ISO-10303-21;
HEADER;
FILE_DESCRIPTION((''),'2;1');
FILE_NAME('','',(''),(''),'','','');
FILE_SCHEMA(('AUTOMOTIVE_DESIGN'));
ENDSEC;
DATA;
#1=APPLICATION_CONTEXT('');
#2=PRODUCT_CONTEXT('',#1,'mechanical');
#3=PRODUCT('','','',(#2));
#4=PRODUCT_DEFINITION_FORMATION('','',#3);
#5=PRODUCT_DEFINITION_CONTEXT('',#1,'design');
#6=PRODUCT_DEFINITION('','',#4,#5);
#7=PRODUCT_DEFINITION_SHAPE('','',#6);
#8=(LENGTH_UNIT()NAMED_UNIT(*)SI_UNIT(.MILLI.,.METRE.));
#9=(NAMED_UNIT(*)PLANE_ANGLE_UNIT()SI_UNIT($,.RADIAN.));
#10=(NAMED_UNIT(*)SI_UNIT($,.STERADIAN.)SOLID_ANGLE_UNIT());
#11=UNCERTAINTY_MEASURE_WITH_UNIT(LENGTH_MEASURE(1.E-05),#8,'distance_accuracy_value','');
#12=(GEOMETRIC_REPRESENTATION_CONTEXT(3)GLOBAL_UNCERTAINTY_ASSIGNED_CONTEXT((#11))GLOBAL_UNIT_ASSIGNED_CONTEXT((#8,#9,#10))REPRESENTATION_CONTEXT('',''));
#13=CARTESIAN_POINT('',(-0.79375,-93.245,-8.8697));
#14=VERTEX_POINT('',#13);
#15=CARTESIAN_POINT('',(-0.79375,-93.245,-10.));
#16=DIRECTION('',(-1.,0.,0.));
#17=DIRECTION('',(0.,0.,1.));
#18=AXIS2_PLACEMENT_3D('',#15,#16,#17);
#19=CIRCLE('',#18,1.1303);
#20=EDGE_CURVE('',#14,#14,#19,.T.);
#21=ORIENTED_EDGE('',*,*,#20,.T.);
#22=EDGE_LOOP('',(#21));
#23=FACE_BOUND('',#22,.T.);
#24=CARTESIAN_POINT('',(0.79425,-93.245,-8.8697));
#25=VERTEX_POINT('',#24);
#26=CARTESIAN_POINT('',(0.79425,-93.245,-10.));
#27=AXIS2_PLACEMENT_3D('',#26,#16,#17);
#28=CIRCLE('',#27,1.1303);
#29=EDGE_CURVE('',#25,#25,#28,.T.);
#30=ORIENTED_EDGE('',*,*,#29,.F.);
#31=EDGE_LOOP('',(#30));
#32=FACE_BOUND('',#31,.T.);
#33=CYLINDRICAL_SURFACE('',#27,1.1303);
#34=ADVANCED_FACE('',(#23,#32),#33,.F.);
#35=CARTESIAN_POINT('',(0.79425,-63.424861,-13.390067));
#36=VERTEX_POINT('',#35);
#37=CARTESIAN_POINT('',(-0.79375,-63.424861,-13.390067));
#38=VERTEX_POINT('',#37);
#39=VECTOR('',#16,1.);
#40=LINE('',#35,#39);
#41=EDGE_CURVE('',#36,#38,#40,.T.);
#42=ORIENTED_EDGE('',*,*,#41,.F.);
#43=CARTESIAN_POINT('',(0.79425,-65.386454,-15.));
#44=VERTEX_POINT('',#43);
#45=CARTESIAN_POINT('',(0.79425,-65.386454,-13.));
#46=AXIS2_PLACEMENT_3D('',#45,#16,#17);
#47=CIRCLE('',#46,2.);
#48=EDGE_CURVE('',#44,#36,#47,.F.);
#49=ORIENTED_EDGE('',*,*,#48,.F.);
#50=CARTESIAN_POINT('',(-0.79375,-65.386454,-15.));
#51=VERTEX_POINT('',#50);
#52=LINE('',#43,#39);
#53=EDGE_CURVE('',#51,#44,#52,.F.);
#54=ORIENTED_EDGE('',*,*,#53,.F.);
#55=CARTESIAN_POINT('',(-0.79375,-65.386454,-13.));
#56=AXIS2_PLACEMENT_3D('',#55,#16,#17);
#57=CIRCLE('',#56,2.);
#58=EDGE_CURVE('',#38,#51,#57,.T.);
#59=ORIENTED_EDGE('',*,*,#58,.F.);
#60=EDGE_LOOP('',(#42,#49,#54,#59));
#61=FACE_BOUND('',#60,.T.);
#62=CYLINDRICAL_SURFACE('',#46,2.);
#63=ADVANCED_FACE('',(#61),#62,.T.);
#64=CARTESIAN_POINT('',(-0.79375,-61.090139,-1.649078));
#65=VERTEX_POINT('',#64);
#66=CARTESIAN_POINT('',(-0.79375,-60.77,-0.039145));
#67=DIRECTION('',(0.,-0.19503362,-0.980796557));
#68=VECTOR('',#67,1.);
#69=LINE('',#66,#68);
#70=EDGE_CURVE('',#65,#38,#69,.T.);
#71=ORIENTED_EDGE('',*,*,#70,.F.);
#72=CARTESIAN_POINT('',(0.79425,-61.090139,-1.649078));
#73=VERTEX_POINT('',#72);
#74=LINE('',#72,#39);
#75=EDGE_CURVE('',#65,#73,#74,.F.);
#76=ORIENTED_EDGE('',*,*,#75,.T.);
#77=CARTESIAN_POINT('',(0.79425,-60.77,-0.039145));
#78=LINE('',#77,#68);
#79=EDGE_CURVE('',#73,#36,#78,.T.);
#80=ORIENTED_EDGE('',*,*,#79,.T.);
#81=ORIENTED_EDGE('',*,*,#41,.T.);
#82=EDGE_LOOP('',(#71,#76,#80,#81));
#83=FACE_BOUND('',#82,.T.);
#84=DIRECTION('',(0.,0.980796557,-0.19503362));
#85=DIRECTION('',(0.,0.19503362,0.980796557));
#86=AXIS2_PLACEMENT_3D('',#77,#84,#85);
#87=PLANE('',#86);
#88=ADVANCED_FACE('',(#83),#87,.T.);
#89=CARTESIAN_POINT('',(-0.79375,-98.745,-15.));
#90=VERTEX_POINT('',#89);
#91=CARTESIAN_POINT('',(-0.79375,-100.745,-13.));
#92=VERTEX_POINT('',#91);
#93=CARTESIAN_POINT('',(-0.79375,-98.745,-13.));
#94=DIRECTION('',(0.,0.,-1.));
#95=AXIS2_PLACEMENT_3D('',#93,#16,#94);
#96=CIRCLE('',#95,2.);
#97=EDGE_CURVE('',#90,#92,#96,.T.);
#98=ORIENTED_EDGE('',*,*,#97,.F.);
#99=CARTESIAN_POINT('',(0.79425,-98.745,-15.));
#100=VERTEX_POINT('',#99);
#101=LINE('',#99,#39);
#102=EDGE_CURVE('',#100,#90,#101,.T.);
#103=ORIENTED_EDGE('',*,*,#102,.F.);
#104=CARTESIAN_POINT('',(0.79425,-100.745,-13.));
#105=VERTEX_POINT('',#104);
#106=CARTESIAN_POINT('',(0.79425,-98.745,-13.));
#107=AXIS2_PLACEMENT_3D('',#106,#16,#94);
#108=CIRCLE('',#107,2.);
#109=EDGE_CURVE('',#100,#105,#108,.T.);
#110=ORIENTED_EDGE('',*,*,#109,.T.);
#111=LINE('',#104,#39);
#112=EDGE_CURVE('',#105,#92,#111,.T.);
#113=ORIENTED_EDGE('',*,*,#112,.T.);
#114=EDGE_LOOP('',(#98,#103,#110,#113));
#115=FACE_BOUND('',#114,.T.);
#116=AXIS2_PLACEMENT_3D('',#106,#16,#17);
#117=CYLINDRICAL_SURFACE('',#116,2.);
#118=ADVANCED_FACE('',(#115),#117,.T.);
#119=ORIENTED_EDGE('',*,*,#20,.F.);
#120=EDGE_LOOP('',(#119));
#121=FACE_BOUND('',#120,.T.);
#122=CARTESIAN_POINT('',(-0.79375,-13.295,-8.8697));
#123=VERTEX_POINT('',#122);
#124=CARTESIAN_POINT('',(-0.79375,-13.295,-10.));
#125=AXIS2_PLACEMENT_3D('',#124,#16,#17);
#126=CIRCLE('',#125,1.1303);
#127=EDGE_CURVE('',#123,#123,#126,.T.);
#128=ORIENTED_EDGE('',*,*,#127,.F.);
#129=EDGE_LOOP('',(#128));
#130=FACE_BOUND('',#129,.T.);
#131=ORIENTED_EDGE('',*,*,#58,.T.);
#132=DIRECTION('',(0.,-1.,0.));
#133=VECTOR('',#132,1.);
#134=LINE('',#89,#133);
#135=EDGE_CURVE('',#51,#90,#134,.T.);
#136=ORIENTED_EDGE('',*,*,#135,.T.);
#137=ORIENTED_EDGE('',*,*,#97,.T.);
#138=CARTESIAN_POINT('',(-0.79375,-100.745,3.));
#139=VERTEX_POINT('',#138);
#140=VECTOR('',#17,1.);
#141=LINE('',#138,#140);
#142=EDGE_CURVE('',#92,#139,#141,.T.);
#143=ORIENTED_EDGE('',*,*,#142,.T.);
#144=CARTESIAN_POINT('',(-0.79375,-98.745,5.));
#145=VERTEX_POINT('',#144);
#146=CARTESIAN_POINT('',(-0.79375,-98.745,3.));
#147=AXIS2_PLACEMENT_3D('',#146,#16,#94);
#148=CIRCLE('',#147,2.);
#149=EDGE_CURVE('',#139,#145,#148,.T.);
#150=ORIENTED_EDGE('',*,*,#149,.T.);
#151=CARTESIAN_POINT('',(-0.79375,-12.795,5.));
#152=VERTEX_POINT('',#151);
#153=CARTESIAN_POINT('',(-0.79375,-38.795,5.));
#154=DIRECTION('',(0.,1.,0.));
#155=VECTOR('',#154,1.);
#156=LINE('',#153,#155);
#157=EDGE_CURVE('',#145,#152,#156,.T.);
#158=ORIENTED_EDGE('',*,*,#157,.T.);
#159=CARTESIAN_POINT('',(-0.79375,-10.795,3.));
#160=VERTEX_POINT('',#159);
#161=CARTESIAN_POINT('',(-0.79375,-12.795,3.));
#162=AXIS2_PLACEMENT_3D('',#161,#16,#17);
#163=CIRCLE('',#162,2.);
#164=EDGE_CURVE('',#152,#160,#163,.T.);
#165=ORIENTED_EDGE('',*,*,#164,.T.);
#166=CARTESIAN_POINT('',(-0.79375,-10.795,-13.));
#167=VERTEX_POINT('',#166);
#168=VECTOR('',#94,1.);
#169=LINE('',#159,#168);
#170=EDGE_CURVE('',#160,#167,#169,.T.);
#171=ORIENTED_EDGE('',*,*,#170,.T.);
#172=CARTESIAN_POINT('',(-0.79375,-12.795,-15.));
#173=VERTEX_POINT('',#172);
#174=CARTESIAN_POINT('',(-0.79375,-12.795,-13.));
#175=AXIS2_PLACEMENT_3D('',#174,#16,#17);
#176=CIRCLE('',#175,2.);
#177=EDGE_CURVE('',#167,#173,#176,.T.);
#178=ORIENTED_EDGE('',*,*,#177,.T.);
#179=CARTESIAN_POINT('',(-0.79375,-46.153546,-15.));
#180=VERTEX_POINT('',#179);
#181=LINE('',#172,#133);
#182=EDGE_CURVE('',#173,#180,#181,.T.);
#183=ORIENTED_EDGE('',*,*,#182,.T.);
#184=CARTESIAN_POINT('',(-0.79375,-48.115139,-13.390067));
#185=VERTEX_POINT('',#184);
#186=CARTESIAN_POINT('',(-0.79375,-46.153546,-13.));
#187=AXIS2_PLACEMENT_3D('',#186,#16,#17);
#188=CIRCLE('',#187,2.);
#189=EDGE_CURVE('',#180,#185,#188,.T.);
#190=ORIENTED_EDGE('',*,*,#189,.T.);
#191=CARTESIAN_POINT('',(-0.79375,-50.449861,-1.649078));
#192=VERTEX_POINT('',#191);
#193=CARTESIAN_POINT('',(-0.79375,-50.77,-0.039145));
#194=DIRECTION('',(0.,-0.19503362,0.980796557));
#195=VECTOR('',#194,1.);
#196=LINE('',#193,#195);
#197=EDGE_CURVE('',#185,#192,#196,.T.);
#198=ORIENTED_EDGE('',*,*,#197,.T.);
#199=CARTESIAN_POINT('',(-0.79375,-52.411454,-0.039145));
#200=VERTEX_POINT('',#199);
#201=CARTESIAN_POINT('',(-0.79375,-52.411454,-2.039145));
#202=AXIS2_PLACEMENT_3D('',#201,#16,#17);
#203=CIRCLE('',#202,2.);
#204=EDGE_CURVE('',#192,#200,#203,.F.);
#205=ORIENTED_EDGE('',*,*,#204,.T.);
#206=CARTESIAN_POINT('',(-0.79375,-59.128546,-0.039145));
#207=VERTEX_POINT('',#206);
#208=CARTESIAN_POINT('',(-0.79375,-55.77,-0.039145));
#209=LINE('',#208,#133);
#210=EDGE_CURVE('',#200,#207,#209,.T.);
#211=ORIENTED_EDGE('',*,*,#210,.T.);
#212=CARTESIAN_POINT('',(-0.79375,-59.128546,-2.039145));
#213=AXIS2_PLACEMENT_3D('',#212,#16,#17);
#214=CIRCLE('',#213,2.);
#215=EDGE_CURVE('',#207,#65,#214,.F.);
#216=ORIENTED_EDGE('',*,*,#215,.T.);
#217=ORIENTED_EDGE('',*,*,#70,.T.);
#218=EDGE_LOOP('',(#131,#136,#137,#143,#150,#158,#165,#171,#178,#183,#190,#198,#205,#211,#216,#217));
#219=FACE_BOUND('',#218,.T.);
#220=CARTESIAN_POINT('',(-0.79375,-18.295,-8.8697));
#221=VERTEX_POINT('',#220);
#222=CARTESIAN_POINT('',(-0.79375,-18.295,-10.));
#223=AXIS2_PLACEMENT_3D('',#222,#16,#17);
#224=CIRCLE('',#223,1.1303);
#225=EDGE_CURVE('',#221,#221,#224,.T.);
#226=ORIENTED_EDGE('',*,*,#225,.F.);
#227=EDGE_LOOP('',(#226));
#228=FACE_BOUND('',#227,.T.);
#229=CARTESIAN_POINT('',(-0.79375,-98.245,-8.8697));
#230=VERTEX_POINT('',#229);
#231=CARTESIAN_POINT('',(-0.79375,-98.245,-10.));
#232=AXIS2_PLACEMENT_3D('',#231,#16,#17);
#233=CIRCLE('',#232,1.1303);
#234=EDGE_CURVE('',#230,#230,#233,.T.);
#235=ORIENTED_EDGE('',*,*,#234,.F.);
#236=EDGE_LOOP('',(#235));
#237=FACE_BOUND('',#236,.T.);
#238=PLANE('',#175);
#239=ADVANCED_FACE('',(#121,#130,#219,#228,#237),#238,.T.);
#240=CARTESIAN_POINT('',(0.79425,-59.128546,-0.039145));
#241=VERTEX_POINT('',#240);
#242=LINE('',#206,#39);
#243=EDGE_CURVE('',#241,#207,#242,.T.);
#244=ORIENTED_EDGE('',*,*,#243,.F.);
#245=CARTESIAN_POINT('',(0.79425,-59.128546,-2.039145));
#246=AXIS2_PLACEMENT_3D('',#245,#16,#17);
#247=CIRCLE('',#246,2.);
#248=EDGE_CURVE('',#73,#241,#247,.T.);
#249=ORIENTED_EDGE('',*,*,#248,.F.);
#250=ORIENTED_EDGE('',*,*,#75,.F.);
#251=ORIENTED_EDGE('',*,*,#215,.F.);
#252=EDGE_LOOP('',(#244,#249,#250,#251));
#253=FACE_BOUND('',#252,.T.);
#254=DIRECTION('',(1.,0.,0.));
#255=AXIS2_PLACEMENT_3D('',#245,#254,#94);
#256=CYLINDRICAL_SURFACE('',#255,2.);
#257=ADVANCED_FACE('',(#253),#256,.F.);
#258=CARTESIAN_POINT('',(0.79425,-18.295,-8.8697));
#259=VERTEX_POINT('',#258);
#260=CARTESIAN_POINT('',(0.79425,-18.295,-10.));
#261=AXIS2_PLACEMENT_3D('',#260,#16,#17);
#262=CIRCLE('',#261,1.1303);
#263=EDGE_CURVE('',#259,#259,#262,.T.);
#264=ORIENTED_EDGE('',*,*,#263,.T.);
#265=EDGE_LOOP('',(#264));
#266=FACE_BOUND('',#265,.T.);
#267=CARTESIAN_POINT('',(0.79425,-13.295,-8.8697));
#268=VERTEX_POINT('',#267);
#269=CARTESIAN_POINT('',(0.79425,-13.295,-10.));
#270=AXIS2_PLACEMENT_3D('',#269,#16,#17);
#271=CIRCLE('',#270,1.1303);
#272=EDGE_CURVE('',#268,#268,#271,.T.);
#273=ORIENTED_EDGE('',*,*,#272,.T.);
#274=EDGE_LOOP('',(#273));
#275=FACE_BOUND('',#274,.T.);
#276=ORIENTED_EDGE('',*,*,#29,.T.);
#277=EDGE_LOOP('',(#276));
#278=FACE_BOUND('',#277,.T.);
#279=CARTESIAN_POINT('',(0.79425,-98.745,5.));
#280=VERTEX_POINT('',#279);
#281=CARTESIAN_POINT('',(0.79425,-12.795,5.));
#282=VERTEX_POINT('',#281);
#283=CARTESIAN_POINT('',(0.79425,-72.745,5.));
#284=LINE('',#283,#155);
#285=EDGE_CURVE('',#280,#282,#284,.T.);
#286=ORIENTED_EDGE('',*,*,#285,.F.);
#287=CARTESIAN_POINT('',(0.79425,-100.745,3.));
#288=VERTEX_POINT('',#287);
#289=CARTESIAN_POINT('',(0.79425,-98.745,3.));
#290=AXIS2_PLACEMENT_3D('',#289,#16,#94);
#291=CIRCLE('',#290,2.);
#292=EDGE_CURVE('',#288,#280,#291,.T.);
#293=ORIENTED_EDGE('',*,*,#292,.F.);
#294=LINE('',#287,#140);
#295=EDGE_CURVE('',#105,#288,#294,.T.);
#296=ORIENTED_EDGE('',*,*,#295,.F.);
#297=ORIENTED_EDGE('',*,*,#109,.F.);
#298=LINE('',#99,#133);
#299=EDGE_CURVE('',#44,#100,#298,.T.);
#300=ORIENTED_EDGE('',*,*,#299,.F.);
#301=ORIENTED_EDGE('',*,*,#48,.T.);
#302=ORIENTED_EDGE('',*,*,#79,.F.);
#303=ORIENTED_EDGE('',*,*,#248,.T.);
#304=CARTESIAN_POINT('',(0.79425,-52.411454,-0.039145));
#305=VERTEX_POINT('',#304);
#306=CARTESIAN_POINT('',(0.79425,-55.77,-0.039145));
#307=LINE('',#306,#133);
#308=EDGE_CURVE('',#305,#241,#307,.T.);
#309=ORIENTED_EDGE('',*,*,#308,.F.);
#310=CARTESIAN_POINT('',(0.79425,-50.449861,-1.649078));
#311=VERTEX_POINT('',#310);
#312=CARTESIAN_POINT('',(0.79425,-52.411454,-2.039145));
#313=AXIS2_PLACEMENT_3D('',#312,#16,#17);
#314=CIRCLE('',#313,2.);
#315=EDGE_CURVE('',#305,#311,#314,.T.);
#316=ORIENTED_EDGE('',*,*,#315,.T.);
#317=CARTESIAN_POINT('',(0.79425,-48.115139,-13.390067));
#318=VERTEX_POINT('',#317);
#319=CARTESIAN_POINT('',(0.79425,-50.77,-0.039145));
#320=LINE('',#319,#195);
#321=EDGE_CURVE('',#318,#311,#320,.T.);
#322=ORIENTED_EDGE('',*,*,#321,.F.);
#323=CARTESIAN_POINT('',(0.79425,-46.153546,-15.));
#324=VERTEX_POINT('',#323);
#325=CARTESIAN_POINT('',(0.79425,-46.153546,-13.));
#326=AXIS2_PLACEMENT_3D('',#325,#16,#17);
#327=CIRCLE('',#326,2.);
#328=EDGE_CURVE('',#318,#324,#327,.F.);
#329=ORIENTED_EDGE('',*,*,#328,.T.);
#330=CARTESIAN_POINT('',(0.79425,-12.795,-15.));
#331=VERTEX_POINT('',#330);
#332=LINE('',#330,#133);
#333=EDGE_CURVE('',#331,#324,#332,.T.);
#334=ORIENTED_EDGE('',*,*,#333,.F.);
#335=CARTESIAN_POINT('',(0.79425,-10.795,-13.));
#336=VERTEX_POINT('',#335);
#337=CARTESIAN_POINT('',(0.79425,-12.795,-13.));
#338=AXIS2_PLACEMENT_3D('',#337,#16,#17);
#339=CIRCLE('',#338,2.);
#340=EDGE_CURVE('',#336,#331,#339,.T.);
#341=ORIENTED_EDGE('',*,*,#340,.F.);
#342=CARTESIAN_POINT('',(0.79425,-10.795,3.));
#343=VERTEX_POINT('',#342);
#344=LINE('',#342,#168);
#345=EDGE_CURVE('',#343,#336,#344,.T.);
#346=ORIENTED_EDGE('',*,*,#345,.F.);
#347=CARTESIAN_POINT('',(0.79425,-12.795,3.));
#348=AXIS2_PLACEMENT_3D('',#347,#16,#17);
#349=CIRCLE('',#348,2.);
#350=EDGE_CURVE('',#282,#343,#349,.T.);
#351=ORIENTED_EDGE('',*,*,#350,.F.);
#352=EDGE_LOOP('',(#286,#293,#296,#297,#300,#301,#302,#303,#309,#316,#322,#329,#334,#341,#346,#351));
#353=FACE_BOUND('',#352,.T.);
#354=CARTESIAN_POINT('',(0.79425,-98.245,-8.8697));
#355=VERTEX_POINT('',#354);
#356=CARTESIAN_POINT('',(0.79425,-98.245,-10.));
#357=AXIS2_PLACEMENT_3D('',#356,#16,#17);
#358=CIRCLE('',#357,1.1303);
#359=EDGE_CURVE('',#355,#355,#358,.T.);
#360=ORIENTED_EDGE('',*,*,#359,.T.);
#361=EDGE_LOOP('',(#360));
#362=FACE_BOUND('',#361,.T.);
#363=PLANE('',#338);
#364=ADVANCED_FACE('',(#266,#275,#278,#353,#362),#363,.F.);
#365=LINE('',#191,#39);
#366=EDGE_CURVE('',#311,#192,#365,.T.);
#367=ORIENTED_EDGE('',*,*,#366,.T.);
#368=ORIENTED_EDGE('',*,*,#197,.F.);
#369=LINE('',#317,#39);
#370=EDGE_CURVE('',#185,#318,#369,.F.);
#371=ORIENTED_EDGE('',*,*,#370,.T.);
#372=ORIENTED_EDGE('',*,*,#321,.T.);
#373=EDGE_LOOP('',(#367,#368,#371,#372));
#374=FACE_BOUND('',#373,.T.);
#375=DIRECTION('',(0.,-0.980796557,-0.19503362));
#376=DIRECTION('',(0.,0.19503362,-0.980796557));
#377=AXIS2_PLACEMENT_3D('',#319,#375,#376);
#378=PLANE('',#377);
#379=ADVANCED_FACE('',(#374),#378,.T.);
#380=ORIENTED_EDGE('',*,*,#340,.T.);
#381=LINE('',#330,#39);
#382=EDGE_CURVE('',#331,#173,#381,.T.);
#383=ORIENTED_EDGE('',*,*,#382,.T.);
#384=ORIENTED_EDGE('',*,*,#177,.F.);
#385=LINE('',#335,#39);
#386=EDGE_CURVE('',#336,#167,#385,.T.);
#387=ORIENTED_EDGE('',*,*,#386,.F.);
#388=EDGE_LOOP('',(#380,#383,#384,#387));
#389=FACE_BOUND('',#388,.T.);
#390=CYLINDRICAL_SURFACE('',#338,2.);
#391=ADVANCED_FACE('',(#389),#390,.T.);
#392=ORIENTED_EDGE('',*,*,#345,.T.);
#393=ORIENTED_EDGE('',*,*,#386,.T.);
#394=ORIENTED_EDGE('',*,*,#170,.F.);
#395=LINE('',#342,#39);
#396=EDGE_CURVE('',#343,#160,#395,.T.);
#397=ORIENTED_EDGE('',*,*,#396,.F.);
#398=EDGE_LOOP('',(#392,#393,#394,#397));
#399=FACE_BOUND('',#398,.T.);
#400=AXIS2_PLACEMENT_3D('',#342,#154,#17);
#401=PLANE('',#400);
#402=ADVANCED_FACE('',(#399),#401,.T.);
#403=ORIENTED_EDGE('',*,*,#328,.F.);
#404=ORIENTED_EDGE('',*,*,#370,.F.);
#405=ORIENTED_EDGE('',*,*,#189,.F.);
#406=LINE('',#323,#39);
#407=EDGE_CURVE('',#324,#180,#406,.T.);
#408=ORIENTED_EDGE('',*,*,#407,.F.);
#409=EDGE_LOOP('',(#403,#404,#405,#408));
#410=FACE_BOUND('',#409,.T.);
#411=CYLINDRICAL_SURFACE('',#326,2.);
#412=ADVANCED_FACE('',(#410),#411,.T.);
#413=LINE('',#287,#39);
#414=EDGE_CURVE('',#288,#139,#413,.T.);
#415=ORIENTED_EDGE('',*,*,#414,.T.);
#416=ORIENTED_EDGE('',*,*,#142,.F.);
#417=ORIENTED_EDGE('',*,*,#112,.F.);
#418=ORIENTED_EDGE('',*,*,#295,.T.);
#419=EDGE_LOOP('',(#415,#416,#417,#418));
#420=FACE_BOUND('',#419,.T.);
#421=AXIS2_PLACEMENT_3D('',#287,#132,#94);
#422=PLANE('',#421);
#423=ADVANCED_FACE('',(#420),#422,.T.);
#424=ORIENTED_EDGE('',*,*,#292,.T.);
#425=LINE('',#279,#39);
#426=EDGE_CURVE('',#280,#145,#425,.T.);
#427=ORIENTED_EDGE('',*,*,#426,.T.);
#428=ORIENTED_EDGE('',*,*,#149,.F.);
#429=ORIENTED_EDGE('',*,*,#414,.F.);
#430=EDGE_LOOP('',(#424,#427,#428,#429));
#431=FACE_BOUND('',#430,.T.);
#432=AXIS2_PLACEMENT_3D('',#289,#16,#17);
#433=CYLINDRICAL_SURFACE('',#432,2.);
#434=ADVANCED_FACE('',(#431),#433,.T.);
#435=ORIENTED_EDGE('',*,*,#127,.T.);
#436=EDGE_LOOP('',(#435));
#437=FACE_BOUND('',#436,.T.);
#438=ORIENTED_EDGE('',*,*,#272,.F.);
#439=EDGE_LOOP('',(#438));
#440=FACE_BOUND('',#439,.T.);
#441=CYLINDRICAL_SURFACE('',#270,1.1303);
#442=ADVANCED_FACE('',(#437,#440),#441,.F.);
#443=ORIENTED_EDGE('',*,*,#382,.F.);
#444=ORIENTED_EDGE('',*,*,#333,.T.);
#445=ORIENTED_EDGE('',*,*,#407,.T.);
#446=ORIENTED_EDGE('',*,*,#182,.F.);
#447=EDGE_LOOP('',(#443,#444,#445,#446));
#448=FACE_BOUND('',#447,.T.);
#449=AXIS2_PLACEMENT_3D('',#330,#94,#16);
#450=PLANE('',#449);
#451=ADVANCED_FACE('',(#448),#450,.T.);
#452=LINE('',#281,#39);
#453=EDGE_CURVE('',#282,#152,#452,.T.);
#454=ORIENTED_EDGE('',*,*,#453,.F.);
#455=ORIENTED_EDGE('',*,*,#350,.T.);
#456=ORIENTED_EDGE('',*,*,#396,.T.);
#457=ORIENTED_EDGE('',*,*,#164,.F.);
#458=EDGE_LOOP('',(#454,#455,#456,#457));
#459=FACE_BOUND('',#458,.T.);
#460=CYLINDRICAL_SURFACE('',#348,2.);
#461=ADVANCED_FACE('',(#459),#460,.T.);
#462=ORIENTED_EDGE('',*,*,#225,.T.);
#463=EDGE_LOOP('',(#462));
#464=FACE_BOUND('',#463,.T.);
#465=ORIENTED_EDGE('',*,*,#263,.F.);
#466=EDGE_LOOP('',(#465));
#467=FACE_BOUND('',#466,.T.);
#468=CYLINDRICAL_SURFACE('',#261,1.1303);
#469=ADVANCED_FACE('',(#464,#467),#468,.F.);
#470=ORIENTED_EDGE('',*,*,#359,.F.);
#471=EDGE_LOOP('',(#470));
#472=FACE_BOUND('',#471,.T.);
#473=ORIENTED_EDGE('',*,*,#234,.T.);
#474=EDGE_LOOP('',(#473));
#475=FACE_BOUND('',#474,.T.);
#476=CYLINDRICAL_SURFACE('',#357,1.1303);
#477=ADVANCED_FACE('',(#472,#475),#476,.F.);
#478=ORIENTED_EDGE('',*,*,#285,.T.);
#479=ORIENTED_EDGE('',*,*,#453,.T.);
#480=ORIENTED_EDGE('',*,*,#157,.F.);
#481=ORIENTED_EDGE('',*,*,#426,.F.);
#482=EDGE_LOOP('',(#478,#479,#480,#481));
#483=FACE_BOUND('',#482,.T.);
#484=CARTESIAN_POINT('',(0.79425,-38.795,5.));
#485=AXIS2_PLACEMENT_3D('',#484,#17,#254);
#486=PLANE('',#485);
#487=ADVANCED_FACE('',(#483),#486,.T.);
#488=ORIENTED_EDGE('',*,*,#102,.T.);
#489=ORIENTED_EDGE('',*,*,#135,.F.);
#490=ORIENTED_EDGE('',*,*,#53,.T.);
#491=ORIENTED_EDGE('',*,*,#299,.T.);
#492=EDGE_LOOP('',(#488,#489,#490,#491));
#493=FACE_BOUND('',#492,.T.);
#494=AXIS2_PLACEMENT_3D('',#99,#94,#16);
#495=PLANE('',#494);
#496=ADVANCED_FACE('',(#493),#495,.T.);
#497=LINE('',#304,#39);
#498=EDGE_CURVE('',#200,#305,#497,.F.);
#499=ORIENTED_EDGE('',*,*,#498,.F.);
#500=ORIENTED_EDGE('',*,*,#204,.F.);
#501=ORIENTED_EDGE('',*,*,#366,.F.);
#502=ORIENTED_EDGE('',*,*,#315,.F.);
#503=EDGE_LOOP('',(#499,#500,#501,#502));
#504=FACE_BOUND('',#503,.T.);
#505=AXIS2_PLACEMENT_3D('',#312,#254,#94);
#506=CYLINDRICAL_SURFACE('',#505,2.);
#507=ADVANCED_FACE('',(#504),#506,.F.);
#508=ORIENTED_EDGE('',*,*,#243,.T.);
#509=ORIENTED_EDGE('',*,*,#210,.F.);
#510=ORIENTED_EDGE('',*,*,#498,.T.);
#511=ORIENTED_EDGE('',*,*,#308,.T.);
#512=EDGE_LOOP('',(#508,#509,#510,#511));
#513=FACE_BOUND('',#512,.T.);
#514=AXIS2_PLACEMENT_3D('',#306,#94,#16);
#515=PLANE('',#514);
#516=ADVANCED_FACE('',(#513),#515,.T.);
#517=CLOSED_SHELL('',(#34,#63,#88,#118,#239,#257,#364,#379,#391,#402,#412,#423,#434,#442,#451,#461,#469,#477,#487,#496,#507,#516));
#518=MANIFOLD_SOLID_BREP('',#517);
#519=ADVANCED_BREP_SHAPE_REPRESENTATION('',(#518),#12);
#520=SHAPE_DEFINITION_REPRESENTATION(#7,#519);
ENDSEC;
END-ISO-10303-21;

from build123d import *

# Parameters (mm, degrees)
SKETCH_1_R      = 1.1303
EXTRUDE_1_DEPTH = 1.588
FILLET_1_R      = 2
FILLET_2_R      = 2
FILLET_3_R      = 2
FILLET_4_R      = 2


with BuildPart() as part:
    # 草图1 → 凸台-拉伸1 (new body)
    with BuildSketch(Plane(origin=(-0.79375, 0, 0), x_dir=(0, -1, 0), z_dir=(-1, 0, 0))):
        with BuildLine():
            Line((38.795, 5), (12.795, 5))
            ThreePointArc((12.795, 5), (11.380786438, 4.414213562), (10.795, 3))
            Line((10.795, 3), (10.795, -13))
            ThreePointArc((10.795, -13), (11.380786438, -14.414213562), (12.795, -15))
            Line((12.795, -15), (47.795, -15))
            Line((47.795, -15), (50.77, -0.039144756))
            Line((50.77, -0.039144756), (55.77, -0.039144756))
            Line((55.77, -0.039144756), (60.77, -0.039144756))
            Line((60.77, -0.039144756), (63.745, -15))
            Line((63.745, -15), (98.745, -15))
            ThreePointArc((98.745, -15), (100.159213562, -14.414213562), (100.745, -13))
            Line((100.745, -13), (100.745, 3))
            ThreePointArc((100.745, 3), (100.159213562, 4.414213562), (98.745, 5))
            Line((98.745, 5), (72.745, 5))
            Line((72.745, 5), (38.795, 5))
        make_face()
        with Locations((13.295, -10)):
            Circle(SKETCH_1_R, mode=Mode.SUBTRACT)
        with Locations((18.295, -10)):
            Circle(SKETCH_1_R, mode=Mode.SUBTRACT)
        with Locations((93.245, -10)):
            Circle(SKETCH_1_R, mode=Mode.SUBTRACT)
        with Locations((98.245, -10)):
            Circle(SKETCH_1_R, mode=Mode.SUBTRACT)
    extrude(amount=-EXTRUDE_1_DEPTH)

    # 圆角1
    fillet_1_edges = [part.edges().sort_by_distance(p)[0] for p in [
        (0.00025, -47.795, -15),
    ]]
    fillet(fillet_1_edges, radius=FILLET_1_R)

    # 圆角2
    fillet_2_edges = [part.edges().sort_by_distance(p)[0] for p in [
        (0.00025, -50.77, -0.039144756),
    ]]
    fillet(fillet_2_edges, radius=FILLET_2_R)

    # 圆角3
    fillet_3_edges = [part.edges().sort_by_distance(p)[0] for p in [
        (0.00025, -60.77, -0.039144756),
    ]]
    fillet(fillet_3_edges, radius=FILLET_3_R)

    # 圆角4
    fillet_4_edges = [part.edges().sort_by_distance(p)[0] for p in [
        (0.00025, -63.745, -15),
    ]]
    fillet(fillet_4_edges, radius=FILLET_4_R)


solid = part.part
